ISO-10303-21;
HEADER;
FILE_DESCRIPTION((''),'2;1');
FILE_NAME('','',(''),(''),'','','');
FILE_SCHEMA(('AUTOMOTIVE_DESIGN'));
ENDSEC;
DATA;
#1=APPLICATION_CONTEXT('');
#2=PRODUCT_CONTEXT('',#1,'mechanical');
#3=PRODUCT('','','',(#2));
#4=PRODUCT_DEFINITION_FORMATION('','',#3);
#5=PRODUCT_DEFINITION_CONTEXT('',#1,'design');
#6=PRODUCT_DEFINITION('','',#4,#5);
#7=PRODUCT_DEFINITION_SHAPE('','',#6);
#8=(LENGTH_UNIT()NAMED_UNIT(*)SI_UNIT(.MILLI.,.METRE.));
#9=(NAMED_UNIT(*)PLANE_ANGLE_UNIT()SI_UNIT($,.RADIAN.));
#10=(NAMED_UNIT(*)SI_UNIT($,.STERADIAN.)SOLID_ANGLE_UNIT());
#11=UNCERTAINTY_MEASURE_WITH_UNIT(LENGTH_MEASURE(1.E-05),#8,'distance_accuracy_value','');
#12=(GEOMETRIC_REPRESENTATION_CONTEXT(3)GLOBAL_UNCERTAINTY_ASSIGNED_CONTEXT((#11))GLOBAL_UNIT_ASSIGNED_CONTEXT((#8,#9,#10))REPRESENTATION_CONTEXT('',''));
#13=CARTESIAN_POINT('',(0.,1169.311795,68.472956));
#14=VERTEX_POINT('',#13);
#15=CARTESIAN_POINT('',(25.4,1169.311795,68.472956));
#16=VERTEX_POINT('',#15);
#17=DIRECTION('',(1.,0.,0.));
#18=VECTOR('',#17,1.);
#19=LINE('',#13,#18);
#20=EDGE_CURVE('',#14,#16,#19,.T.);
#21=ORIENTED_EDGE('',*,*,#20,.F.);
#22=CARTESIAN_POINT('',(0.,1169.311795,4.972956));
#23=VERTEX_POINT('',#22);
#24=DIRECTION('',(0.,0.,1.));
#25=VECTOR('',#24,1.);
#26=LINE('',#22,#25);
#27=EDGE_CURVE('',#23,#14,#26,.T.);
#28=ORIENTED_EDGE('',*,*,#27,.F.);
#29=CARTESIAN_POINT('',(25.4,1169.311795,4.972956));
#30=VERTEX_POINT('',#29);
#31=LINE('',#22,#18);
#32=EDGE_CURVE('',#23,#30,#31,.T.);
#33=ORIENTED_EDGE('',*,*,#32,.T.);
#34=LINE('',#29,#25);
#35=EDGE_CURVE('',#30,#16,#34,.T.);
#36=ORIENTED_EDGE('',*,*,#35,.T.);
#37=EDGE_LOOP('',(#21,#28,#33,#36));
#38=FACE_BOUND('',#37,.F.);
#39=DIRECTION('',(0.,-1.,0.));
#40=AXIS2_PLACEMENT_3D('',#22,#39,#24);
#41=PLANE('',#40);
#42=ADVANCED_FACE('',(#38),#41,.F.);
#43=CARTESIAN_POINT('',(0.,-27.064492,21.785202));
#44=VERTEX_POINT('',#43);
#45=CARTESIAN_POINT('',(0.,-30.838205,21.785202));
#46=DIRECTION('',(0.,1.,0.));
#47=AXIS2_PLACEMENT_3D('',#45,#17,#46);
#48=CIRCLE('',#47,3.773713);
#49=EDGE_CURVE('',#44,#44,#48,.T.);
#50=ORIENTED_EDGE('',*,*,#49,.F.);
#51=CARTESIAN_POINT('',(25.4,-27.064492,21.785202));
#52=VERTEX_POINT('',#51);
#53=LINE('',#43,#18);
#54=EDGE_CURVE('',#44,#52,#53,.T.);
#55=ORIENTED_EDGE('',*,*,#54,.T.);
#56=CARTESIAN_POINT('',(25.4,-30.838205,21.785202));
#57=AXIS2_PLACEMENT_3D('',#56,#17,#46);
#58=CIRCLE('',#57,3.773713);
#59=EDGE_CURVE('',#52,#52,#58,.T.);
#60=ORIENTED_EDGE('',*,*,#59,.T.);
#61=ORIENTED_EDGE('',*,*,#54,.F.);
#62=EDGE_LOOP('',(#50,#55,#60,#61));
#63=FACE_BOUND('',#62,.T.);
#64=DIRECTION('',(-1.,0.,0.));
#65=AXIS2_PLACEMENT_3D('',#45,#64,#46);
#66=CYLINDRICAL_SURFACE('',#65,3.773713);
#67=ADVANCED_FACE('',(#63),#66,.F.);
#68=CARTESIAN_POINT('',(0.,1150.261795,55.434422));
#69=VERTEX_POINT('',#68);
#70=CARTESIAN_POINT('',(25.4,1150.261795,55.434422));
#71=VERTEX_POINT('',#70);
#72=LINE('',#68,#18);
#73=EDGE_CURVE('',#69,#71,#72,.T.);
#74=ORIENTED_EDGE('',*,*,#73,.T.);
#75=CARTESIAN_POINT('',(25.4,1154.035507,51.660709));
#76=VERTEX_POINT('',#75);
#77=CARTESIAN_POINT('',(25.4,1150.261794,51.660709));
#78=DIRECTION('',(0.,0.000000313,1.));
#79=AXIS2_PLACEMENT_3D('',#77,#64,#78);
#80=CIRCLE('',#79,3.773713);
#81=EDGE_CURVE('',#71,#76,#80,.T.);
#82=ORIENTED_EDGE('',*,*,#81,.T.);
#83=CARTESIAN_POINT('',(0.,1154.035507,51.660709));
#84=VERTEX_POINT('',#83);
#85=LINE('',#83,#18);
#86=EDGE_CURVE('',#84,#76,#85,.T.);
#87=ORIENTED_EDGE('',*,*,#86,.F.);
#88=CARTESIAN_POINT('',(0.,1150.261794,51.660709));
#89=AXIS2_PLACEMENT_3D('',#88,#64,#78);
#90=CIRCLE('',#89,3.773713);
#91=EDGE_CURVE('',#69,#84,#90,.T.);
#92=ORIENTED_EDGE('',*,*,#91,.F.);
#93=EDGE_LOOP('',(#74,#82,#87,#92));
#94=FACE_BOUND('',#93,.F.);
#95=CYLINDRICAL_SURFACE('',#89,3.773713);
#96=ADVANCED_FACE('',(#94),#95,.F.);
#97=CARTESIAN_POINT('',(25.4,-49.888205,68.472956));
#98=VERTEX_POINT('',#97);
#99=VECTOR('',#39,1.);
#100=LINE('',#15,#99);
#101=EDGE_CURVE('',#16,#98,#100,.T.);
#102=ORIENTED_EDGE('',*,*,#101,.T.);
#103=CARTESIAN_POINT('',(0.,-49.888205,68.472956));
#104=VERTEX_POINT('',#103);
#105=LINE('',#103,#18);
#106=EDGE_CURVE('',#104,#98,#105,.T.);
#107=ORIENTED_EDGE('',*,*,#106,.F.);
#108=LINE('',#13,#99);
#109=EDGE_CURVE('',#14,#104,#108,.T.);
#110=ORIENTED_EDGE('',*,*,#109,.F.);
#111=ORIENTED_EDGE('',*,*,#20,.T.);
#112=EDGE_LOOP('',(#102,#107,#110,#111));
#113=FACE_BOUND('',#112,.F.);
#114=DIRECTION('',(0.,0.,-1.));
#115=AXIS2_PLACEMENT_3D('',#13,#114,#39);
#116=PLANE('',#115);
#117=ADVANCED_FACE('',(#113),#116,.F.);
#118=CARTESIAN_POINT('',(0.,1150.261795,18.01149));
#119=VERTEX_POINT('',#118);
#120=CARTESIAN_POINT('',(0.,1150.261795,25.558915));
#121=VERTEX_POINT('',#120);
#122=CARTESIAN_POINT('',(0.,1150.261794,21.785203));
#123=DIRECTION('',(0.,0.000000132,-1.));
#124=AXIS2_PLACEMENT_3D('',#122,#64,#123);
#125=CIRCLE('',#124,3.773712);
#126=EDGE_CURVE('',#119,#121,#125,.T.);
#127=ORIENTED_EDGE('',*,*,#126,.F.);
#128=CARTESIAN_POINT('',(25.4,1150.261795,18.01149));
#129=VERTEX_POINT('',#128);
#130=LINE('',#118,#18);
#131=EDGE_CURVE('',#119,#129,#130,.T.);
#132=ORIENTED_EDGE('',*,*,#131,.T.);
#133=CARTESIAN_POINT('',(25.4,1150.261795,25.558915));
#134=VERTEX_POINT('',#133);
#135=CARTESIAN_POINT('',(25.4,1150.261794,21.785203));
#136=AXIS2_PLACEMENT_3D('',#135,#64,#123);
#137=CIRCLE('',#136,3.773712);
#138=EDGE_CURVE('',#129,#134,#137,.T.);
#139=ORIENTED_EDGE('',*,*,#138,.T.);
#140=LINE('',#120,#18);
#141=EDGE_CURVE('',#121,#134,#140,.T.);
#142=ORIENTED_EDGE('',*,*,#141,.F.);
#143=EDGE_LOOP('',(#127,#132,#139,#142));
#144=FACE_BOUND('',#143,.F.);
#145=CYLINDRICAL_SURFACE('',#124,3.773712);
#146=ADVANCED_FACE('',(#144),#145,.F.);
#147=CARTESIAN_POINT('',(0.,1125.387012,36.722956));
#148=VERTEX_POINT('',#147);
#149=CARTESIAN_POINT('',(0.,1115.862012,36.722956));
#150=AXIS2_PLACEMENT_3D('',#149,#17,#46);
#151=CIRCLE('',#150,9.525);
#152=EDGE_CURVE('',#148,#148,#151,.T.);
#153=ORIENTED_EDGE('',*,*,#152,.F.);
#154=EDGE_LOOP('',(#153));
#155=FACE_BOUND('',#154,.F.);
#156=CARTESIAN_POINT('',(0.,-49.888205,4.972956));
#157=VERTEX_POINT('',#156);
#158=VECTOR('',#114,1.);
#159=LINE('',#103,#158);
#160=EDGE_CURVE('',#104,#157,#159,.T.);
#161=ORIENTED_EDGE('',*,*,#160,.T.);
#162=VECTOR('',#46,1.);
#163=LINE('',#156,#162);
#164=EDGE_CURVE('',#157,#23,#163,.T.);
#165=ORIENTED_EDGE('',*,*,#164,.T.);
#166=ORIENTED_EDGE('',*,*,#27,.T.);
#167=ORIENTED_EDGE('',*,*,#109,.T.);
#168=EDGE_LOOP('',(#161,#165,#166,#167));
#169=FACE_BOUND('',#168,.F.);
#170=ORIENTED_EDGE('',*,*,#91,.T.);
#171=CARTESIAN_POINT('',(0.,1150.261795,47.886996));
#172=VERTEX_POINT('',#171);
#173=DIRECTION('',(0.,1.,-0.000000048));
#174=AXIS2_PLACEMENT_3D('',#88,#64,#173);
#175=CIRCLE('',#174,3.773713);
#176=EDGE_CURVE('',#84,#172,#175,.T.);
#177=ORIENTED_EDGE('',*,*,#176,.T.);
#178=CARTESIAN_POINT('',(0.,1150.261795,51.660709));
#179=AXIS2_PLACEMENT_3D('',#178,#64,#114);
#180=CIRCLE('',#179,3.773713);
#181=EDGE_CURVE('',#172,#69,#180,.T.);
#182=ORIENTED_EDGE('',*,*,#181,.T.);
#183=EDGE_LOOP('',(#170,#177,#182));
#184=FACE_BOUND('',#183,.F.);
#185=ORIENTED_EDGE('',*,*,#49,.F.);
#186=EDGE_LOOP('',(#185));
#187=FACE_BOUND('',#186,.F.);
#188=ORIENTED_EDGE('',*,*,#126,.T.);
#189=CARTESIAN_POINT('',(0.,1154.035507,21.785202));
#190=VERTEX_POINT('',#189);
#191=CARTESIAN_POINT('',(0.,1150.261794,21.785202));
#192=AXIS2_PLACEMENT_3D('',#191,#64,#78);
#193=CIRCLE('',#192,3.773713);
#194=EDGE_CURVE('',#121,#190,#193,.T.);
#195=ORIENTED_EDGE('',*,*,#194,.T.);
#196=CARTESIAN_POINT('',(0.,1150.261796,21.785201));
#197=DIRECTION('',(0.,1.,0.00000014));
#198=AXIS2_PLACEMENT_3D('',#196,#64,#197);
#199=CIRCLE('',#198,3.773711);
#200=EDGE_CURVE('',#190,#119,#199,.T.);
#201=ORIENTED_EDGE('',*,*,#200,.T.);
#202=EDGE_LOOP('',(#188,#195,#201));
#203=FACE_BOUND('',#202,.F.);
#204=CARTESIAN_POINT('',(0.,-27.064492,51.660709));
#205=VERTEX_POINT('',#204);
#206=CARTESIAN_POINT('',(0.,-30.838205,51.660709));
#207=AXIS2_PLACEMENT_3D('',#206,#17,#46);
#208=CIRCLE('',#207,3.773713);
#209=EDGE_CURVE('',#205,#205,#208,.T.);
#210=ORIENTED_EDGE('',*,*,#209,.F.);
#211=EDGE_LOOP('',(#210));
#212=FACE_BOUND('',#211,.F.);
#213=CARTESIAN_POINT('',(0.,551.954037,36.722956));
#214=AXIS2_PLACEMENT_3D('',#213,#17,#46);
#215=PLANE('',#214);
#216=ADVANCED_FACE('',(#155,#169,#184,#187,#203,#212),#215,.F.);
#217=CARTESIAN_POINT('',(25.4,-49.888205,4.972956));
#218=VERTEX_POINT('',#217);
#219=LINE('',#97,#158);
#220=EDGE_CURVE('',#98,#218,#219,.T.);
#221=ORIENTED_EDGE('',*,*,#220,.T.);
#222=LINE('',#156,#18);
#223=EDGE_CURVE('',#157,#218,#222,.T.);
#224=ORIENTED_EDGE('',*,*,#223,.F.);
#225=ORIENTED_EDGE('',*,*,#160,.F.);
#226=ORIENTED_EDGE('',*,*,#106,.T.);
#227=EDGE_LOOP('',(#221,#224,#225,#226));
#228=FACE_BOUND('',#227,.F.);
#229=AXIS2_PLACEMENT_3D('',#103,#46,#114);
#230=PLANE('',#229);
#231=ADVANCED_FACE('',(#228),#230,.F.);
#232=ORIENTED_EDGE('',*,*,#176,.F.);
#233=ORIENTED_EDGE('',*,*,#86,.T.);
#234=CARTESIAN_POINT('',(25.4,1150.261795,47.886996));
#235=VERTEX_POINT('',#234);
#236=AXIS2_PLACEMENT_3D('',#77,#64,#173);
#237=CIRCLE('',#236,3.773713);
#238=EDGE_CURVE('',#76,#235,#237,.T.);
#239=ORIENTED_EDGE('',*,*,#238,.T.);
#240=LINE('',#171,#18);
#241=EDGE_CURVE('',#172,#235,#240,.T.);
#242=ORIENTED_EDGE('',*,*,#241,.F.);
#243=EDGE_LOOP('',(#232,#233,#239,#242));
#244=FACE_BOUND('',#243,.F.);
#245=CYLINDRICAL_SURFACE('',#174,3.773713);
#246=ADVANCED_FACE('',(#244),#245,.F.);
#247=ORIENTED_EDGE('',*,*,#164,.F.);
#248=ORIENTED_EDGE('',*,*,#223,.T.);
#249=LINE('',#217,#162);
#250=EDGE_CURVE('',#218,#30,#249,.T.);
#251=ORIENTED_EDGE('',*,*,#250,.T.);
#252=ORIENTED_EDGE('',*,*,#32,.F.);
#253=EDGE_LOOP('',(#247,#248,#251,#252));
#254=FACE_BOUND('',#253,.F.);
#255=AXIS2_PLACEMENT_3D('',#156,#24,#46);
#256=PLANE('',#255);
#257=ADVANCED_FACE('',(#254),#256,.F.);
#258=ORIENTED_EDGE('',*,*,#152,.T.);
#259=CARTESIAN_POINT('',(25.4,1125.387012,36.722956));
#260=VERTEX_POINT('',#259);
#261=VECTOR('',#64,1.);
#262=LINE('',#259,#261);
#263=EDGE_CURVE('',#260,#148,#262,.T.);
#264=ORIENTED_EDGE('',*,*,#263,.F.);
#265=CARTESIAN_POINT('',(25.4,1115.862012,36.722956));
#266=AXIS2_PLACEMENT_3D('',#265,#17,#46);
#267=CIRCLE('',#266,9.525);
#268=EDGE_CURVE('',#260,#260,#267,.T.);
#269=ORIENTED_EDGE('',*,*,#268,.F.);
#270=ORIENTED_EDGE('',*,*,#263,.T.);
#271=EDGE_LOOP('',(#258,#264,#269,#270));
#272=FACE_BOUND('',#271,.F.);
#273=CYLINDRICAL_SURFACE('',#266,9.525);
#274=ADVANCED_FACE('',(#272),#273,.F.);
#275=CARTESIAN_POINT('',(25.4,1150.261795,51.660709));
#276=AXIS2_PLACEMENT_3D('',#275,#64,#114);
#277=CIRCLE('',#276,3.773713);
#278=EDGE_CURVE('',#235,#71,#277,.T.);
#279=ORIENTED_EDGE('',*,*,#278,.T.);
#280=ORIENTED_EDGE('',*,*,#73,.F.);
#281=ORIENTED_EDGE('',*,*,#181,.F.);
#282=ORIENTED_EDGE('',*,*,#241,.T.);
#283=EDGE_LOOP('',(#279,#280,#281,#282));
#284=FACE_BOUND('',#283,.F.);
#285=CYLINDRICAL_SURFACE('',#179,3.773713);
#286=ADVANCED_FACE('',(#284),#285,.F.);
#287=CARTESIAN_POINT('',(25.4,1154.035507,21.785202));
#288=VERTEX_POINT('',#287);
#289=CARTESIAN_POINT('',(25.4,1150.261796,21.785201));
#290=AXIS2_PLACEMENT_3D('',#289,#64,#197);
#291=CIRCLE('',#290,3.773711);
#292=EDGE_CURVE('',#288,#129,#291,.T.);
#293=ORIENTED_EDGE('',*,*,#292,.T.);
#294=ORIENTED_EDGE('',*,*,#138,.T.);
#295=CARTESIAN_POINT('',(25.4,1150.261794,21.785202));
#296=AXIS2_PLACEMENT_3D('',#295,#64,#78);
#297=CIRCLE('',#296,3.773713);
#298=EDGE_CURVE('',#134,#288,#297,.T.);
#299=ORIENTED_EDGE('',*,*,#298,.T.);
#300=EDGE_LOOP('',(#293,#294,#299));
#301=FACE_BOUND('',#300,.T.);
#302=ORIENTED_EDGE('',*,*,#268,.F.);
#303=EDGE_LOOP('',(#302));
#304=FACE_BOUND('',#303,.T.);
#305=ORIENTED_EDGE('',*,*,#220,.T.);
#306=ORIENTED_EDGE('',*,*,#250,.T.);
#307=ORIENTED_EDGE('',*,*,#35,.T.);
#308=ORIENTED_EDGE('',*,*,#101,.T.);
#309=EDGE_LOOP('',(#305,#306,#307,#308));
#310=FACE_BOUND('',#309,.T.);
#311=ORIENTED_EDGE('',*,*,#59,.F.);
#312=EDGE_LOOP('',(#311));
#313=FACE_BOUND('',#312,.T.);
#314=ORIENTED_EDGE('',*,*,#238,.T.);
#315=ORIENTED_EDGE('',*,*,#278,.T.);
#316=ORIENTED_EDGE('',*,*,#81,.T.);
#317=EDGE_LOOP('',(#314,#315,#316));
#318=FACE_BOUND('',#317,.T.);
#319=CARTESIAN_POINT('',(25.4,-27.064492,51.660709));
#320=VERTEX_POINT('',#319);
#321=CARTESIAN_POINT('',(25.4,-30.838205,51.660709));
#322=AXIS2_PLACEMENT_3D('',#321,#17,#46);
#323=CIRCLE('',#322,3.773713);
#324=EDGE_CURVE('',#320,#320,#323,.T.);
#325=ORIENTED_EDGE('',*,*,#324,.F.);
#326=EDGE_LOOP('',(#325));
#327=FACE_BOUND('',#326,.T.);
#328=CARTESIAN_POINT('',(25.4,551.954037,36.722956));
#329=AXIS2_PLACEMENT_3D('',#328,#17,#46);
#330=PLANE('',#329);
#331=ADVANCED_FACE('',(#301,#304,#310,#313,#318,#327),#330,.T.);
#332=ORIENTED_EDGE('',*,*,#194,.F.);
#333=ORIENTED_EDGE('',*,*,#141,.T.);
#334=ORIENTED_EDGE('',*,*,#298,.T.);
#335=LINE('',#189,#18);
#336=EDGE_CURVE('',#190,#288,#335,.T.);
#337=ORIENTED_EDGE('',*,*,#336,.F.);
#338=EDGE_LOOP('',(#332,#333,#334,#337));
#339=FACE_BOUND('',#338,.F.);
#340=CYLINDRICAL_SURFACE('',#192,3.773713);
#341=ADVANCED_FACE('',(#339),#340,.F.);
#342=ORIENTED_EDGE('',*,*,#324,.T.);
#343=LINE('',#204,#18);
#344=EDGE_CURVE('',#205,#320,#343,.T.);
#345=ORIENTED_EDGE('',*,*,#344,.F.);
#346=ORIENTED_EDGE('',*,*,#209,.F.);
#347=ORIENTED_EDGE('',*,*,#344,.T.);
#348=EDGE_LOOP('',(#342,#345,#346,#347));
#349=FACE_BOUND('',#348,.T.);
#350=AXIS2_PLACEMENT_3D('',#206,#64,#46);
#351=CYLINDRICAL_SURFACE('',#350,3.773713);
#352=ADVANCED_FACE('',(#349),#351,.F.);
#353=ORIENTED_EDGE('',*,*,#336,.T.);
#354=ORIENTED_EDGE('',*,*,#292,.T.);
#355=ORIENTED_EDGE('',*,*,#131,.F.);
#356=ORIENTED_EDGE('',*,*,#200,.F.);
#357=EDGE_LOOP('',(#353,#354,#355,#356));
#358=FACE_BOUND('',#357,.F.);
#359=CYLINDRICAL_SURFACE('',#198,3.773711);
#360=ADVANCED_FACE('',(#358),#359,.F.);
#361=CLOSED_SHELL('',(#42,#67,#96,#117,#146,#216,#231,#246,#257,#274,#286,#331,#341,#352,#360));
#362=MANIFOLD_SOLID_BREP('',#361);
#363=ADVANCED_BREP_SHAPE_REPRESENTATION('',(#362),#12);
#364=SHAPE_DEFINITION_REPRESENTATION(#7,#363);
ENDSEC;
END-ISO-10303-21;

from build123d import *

# Parameters (mm, degrees)
F0_R     = 3.773713
F1_DEPTH = 25.4
F2_R     = 9.525
F3_DEPTH = 25.401


with BuildPart() as f1:
    # F0 (on Right) → F1 (new body)
    with BuildSketch(Plane.YZ):
        with BuildLine():
            Line((1150.261795, 68.472956), (-49.888205, 68.472956))
            Line((-49.888205, 68.472956), (-49.888205, 4.972956))
            Line((-49.888205, 4.972956), (1150.261795, 4.972956))
            Line((1150.261795, 4.972956), (1150.261795, 18.01149))
            ThreePointArc((1150.261795, 18.01149), (1146.488082, 21.785202), (1150.261795, 25.558915))
            Line((1150.261795, 25.558915), (1150.261795, 47.886996))
            ThreePointArc((1150.261795, 47.886996), (1146.488082, 51.660709), (1150.261795, 55.434422))
            Line((1150.261795, 55.434422), (1150.261795, 68.472956))
        make_face()
        with Locations((-30.838205, 21.785202)):
            Circle(F0_R, mode=Mode.SUBTRACT)
        with Locations((-30.838205, 51.660709)):
            Circle(F0_R, mode=Mode.SUBTRACT)
        with BuildLine():
            Line((1169.311795, 68.472956), (1150.261795, 68.472956))
            Line((1150.261795, 68.472956), (1150.261795, 55.434422))
            ThreePointArc((1150.261795, 55.434422), (1152.930212, 54.329127), (1154.035507, 51.660709))
            ThreePointArc((1154.035507, 51.660709), (1152.930212, 48.992291), (1150.261795, 47.886996))
            Line((1150.261795, 47.886996), (1150.261795, 25.558915))
            ThreePointArc((1150.261795, 25.558915), (1152.930212, 24.45362), (1154.035507, 21.785202))
            ThreePointArc((1154.035507, 21.785202), (1152.930212, 19.116784), (1150.261795, 18.01149))
            Line((1150.261795, 18.01149), (1150.261795, 4.972956))
            Line((1150.261795, 4.972956), (1169.311795, 4.972956))
            Line((1169.311795, 4.972956), (1169.311795, 68.472956))
        make_face()
    extrude(amount=F1_DEPTH)

    # F2 (on face) → F3 (cut, through all)
    with BuildSketch(Plane.YZ.offset(25.4)):
        with Locations((1115.862012, 36.722956)):
            Circle(F2_R)
    extrude(amount=-F3_DEPTH, mode=Mode.SUBTRACT)


solid = f1.part
